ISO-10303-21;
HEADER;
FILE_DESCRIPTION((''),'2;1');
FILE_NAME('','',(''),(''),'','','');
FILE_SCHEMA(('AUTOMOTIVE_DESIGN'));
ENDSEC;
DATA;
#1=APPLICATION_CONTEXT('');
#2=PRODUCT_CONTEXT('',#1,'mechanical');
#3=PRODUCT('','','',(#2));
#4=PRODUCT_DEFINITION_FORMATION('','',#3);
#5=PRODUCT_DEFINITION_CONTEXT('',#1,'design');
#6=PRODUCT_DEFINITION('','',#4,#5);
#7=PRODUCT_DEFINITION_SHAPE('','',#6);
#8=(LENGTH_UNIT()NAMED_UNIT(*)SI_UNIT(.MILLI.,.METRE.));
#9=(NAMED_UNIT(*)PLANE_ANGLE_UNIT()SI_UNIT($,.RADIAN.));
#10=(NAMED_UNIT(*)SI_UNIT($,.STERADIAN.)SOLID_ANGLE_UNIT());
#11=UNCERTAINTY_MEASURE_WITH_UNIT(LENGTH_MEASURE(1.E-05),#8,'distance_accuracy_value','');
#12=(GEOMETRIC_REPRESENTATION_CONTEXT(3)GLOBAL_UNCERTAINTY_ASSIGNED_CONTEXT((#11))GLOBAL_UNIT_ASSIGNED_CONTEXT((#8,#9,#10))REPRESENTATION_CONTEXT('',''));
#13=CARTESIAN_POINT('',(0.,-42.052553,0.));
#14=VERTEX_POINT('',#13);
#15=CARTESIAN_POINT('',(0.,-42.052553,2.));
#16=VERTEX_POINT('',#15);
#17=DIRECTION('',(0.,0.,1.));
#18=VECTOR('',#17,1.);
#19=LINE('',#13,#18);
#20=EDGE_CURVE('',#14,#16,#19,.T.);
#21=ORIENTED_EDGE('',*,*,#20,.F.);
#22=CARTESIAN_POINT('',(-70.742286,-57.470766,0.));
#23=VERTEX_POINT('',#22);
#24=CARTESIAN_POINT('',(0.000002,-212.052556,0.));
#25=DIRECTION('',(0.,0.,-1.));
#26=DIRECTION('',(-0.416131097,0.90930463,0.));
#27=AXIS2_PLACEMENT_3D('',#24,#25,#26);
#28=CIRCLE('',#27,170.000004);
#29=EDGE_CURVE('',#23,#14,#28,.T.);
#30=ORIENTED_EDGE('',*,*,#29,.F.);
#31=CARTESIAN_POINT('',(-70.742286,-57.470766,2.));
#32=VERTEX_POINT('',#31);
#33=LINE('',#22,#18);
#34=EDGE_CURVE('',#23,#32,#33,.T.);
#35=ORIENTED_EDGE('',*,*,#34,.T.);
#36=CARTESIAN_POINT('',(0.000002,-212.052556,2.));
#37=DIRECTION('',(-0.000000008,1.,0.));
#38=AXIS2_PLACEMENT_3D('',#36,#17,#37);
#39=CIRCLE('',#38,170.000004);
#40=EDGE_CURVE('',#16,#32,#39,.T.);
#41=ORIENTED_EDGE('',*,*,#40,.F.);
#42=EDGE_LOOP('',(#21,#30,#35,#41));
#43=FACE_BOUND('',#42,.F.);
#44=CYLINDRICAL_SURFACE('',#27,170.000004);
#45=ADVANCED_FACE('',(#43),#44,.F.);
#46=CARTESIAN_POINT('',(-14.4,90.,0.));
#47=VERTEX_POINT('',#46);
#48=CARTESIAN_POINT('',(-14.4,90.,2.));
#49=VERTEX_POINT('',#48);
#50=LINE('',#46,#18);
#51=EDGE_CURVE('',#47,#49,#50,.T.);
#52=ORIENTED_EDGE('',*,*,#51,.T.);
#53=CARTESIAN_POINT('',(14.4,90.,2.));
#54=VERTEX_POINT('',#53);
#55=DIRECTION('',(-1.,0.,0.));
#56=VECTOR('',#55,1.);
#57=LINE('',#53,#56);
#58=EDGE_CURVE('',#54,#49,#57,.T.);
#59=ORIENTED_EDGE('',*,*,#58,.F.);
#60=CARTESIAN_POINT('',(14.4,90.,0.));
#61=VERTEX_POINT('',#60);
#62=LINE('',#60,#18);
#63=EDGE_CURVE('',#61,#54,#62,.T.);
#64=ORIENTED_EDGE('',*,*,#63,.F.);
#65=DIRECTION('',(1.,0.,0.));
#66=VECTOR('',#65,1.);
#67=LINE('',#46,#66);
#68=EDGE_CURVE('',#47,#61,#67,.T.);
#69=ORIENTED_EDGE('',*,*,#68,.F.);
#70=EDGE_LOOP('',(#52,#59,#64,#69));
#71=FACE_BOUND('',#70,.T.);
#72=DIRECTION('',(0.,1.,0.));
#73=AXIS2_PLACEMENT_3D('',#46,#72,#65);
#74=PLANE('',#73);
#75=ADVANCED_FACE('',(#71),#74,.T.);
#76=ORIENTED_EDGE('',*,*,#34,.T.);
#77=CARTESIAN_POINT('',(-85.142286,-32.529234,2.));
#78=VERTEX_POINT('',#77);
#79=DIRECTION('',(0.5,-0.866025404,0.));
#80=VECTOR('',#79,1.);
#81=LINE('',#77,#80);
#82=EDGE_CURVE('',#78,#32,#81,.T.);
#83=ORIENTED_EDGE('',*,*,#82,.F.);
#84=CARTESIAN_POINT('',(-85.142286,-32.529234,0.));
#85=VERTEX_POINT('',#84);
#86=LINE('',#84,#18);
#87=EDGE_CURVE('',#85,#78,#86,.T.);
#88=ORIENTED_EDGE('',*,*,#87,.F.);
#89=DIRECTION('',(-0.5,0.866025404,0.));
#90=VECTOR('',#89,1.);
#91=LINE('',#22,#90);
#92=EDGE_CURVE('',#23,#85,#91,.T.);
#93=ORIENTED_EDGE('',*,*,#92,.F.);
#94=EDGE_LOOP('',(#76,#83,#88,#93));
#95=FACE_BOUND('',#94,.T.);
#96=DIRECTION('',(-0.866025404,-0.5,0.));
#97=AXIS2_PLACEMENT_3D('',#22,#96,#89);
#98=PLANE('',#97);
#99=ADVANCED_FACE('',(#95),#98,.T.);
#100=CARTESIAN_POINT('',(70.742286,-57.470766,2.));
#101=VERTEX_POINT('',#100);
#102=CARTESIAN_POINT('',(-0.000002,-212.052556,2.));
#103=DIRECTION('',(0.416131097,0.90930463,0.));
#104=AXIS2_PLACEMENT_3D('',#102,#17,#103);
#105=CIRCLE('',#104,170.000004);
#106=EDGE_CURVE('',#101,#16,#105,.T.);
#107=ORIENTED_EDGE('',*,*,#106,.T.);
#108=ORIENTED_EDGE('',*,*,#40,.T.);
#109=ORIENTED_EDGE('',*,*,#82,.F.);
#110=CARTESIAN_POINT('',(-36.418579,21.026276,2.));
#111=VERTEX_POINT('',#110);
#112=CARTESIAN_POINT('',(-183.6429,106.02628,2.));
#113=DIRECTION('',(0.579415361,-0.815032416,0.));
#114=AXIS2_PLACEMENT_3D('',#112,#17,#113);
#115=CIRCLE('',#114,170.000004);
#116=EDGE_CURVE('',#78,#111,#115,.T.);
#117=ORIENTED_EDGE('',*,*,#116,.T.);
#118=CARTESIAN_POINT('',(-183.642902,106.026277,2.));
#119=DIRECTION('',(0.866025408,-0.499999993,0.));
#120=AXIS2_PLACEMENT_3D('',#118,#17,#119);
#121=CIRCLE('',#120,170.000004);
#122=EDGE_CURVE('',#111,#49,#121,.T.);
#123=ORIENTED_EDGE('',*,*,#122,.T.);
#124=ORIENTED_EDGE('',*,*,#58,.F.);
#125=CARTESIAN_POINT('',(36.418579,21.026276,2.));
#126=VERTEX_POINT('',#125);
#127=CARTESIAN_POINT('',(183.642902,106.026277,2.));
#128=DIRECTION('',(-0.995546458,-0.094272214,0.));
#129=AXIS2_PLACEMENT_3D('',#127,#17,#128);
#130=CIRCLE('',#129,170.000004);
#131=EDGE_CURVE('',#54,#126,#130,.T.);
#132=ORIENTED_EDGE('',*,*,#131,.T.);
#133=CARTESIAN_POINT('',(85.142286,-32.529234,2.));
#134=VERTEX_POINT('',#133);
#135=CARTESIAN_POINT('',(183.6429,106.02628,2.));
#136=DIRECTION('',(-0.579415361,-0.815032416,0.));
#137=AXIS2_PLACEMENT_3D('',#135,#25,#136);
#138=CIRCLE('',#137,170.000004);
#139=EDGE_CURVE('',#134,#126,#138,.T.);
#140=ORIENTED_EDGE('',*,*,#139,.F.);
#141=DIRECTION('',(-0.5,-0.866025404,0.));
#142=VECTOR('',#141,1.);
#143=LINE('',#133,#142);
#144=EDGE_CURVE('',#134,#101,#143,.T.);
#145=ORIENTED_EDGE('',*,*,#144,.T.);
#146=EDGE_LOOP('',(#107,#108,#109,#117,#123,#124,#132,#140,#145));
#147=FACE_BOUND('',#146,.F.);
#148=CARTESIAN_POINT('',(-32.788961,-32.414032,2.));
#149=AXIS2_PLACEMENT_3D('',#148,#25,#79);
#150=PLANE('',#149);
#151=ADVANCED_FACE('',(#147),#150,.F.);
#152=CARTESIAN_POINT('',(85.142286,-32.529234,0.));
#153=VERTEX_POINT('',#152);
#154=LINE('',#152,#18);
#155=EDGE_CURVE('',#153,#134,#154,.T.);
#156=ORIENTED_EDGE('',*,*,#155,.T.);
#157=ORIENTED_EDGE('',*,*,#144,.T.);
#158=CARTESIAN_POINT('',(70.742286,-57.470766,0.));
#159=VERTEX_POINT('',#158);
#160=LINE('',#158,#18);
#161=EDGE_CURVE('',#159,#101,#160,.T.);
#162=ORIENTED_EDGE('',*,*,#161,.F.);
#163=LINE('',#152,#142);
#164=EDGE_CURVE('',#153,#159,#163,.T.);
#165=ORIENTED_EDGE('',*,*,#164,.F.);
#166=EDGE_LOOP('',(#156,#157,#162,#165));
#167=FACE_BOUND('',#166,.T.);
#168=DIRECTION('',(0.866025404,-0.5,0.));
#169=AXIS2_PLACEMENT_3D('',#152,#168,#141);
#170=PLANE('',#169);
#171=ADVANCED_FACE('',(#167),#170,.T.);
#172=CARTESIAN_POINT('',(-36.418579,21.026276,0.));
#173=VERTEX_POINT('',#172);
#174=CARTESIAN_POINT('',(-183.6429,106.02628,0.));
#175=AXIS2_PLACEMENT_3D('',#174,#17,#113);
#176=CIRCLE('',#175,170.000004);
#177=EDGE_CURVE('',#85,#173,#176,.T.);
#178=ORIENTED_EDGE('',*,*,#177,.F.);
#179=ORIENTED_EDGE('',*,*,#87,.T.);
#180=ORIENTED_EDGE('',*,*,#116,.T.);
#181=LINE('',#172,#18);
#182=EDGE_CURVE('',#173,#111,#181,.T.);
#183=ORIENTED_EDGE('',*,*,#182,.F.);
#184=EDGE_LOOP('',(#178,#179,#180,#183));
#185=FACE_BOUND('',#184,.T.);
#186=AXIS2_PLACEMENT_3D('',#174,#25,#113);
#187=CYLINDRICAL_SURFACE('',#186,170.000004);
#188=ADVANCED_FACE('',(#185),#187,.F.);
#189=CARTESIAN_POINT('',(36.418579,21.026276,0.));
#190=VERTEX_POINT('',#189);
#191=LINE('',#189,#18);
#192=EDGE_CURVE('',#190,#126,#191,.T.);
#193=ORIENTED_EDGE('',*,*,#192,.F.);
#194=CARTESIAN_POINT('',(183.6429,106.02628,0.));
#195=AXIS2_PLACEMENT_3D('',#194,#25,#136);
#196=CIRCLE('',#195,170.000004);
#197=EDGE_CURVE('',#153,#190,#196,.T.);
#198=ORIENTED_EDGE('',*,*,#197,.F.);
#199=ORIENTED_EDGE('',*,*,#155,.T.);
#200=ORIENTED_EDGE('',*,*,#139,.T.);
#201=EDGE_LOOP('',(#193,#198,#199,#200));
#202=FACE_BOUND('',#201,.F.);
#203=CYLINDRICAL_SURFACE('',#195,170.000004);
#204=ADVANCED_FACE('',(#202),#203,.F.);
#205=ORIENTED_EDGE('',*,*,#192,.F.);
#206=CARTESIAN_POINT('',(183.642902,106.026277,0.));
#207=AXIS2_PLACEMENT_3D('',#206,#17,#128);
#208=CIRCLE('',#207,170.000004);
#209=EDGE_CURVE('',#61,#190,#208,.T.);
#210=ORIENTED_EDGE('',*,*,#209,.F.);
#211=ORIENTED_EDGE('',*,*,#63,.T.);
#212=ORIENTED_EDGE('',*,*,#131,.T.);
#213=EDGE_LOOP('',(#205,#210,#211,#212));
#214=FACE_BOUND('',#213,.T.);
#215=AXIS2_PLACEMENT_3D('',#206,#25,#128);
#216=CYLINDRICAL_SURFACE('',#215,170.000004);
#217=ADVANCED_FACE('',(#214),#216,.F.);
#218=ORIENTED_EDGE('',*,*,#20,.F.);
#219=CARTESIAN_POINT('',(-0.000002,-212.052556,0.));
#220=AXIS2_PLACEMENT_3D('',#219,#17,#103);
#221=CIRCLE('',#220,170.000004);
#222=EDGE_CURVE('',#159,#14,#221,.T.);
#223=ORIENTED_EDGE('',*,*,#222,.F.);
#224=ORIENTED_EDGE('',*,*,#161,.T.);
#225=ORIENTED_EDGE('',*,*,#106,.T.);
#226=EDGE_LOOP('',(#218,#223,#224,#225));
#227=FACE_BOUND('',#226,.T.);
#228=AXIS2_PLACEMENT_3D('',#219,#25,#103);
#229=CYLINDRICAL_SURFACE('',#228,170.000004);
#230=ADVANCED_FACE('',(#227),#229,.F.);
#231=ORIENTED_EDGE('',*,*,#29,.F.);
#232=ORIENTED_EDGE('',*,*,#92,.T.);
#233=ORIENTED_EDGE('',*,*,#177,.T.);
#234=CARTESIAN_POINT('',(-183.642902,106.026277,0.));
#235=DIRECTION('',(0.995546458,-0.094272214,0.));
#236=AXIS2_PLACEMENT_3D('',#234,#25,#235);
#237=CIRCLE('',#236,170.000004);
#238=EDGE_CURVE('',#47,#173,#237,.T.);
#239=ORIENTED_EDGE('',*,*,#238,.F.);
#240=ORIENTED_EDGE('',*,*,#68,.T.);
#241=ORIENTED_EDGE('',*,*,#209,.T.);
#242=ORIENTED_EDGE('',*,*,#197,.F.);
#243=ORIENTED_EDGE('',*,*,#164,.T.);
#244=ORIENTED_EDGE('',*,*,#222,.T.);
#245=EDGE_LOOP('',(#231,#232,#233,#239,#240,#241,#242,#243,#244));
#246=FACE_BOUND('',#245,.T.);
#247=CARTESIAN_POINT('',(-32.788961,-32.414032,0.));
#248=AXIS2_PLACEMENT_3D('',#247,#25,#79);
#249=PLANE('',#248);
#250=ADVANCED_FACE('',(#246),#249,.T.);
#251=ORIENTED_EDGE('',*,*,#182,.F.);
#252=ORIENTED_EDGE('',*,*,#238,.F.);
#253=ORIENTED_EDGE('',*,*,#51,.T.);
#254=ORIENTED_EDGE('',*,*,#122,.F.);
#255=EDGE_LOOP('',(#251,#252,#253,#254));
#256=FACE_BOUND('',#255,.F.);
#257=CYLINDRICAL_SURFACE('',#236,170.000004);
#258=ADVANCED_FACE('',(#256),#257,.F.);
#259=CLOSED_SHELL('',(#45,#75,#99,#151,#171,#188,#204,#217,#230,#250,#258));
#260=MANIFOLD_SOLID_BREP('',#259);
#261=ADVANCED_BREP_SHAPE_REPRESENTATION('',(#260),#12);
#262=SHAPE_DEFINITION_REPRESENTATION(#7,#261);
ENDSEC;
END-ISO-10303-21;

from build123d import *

# Parameters (mm, degrees)
PAD002_DEPTH               = 2
PAD002_MIRRORED004_2_DEPTH = 2
POLARPATTERN004_COUNT      = 3


with BuildPart() as part:
    # Sketch012 → Pad002 (new body)
    with BuildSketch(Plane.XY):
        with BuildLine():
            Line((0, 0), (36.418579, 21.026276))
            ThreePointArc((14.4, 90), (21.694701, 54.327325), (36.418579, 21.026276))
            Line((14.4, 90), (0, 90))
            Line((0, 90), (0, 0))
        make_face()
    pad002 = extrude(amount=PAD002_DEPTH)

    # Sketch012 Mirrored004 2 → Pad002 Mirrored004 2 (add)
    with BuildSketch(Plane(origin=(0, 0, 0), x_dir=(-1, 0, 0), z_dir=(0, 0, -1))):
        with BuildLine():
            Line((0, 0), (36.418579, 21.026276))
            ThreePointArc((14.4, 90), (21.694701, 54.327325), (36.418579, 21.026276))
            Line((14.4, 90), (0, 90))
            Line((0, 90), (0, 0))
        make_face()
    pad002_mirrored004_2 = extrude(amount=-PAD002_MIRRORED004_2_DEPTH)

    # PolarPattern004: Pad002, Pad002 Mirrored004 2 ×3 about axis
    polarpattern004_axis = Axis((0, 0, 0), (0, 0, 1))
    for i in range(1, POLARPATTERN004_COUNT):
        add(pad002.rotate(polarpattern004_axis, i * 360 / POLARPATTERN004_COUNT))
        add(pad002_mirrored004_2.rotate(polarpattern004_axis, i * 360 / POLARPATTERN004_COUNT))


solid = part.part
